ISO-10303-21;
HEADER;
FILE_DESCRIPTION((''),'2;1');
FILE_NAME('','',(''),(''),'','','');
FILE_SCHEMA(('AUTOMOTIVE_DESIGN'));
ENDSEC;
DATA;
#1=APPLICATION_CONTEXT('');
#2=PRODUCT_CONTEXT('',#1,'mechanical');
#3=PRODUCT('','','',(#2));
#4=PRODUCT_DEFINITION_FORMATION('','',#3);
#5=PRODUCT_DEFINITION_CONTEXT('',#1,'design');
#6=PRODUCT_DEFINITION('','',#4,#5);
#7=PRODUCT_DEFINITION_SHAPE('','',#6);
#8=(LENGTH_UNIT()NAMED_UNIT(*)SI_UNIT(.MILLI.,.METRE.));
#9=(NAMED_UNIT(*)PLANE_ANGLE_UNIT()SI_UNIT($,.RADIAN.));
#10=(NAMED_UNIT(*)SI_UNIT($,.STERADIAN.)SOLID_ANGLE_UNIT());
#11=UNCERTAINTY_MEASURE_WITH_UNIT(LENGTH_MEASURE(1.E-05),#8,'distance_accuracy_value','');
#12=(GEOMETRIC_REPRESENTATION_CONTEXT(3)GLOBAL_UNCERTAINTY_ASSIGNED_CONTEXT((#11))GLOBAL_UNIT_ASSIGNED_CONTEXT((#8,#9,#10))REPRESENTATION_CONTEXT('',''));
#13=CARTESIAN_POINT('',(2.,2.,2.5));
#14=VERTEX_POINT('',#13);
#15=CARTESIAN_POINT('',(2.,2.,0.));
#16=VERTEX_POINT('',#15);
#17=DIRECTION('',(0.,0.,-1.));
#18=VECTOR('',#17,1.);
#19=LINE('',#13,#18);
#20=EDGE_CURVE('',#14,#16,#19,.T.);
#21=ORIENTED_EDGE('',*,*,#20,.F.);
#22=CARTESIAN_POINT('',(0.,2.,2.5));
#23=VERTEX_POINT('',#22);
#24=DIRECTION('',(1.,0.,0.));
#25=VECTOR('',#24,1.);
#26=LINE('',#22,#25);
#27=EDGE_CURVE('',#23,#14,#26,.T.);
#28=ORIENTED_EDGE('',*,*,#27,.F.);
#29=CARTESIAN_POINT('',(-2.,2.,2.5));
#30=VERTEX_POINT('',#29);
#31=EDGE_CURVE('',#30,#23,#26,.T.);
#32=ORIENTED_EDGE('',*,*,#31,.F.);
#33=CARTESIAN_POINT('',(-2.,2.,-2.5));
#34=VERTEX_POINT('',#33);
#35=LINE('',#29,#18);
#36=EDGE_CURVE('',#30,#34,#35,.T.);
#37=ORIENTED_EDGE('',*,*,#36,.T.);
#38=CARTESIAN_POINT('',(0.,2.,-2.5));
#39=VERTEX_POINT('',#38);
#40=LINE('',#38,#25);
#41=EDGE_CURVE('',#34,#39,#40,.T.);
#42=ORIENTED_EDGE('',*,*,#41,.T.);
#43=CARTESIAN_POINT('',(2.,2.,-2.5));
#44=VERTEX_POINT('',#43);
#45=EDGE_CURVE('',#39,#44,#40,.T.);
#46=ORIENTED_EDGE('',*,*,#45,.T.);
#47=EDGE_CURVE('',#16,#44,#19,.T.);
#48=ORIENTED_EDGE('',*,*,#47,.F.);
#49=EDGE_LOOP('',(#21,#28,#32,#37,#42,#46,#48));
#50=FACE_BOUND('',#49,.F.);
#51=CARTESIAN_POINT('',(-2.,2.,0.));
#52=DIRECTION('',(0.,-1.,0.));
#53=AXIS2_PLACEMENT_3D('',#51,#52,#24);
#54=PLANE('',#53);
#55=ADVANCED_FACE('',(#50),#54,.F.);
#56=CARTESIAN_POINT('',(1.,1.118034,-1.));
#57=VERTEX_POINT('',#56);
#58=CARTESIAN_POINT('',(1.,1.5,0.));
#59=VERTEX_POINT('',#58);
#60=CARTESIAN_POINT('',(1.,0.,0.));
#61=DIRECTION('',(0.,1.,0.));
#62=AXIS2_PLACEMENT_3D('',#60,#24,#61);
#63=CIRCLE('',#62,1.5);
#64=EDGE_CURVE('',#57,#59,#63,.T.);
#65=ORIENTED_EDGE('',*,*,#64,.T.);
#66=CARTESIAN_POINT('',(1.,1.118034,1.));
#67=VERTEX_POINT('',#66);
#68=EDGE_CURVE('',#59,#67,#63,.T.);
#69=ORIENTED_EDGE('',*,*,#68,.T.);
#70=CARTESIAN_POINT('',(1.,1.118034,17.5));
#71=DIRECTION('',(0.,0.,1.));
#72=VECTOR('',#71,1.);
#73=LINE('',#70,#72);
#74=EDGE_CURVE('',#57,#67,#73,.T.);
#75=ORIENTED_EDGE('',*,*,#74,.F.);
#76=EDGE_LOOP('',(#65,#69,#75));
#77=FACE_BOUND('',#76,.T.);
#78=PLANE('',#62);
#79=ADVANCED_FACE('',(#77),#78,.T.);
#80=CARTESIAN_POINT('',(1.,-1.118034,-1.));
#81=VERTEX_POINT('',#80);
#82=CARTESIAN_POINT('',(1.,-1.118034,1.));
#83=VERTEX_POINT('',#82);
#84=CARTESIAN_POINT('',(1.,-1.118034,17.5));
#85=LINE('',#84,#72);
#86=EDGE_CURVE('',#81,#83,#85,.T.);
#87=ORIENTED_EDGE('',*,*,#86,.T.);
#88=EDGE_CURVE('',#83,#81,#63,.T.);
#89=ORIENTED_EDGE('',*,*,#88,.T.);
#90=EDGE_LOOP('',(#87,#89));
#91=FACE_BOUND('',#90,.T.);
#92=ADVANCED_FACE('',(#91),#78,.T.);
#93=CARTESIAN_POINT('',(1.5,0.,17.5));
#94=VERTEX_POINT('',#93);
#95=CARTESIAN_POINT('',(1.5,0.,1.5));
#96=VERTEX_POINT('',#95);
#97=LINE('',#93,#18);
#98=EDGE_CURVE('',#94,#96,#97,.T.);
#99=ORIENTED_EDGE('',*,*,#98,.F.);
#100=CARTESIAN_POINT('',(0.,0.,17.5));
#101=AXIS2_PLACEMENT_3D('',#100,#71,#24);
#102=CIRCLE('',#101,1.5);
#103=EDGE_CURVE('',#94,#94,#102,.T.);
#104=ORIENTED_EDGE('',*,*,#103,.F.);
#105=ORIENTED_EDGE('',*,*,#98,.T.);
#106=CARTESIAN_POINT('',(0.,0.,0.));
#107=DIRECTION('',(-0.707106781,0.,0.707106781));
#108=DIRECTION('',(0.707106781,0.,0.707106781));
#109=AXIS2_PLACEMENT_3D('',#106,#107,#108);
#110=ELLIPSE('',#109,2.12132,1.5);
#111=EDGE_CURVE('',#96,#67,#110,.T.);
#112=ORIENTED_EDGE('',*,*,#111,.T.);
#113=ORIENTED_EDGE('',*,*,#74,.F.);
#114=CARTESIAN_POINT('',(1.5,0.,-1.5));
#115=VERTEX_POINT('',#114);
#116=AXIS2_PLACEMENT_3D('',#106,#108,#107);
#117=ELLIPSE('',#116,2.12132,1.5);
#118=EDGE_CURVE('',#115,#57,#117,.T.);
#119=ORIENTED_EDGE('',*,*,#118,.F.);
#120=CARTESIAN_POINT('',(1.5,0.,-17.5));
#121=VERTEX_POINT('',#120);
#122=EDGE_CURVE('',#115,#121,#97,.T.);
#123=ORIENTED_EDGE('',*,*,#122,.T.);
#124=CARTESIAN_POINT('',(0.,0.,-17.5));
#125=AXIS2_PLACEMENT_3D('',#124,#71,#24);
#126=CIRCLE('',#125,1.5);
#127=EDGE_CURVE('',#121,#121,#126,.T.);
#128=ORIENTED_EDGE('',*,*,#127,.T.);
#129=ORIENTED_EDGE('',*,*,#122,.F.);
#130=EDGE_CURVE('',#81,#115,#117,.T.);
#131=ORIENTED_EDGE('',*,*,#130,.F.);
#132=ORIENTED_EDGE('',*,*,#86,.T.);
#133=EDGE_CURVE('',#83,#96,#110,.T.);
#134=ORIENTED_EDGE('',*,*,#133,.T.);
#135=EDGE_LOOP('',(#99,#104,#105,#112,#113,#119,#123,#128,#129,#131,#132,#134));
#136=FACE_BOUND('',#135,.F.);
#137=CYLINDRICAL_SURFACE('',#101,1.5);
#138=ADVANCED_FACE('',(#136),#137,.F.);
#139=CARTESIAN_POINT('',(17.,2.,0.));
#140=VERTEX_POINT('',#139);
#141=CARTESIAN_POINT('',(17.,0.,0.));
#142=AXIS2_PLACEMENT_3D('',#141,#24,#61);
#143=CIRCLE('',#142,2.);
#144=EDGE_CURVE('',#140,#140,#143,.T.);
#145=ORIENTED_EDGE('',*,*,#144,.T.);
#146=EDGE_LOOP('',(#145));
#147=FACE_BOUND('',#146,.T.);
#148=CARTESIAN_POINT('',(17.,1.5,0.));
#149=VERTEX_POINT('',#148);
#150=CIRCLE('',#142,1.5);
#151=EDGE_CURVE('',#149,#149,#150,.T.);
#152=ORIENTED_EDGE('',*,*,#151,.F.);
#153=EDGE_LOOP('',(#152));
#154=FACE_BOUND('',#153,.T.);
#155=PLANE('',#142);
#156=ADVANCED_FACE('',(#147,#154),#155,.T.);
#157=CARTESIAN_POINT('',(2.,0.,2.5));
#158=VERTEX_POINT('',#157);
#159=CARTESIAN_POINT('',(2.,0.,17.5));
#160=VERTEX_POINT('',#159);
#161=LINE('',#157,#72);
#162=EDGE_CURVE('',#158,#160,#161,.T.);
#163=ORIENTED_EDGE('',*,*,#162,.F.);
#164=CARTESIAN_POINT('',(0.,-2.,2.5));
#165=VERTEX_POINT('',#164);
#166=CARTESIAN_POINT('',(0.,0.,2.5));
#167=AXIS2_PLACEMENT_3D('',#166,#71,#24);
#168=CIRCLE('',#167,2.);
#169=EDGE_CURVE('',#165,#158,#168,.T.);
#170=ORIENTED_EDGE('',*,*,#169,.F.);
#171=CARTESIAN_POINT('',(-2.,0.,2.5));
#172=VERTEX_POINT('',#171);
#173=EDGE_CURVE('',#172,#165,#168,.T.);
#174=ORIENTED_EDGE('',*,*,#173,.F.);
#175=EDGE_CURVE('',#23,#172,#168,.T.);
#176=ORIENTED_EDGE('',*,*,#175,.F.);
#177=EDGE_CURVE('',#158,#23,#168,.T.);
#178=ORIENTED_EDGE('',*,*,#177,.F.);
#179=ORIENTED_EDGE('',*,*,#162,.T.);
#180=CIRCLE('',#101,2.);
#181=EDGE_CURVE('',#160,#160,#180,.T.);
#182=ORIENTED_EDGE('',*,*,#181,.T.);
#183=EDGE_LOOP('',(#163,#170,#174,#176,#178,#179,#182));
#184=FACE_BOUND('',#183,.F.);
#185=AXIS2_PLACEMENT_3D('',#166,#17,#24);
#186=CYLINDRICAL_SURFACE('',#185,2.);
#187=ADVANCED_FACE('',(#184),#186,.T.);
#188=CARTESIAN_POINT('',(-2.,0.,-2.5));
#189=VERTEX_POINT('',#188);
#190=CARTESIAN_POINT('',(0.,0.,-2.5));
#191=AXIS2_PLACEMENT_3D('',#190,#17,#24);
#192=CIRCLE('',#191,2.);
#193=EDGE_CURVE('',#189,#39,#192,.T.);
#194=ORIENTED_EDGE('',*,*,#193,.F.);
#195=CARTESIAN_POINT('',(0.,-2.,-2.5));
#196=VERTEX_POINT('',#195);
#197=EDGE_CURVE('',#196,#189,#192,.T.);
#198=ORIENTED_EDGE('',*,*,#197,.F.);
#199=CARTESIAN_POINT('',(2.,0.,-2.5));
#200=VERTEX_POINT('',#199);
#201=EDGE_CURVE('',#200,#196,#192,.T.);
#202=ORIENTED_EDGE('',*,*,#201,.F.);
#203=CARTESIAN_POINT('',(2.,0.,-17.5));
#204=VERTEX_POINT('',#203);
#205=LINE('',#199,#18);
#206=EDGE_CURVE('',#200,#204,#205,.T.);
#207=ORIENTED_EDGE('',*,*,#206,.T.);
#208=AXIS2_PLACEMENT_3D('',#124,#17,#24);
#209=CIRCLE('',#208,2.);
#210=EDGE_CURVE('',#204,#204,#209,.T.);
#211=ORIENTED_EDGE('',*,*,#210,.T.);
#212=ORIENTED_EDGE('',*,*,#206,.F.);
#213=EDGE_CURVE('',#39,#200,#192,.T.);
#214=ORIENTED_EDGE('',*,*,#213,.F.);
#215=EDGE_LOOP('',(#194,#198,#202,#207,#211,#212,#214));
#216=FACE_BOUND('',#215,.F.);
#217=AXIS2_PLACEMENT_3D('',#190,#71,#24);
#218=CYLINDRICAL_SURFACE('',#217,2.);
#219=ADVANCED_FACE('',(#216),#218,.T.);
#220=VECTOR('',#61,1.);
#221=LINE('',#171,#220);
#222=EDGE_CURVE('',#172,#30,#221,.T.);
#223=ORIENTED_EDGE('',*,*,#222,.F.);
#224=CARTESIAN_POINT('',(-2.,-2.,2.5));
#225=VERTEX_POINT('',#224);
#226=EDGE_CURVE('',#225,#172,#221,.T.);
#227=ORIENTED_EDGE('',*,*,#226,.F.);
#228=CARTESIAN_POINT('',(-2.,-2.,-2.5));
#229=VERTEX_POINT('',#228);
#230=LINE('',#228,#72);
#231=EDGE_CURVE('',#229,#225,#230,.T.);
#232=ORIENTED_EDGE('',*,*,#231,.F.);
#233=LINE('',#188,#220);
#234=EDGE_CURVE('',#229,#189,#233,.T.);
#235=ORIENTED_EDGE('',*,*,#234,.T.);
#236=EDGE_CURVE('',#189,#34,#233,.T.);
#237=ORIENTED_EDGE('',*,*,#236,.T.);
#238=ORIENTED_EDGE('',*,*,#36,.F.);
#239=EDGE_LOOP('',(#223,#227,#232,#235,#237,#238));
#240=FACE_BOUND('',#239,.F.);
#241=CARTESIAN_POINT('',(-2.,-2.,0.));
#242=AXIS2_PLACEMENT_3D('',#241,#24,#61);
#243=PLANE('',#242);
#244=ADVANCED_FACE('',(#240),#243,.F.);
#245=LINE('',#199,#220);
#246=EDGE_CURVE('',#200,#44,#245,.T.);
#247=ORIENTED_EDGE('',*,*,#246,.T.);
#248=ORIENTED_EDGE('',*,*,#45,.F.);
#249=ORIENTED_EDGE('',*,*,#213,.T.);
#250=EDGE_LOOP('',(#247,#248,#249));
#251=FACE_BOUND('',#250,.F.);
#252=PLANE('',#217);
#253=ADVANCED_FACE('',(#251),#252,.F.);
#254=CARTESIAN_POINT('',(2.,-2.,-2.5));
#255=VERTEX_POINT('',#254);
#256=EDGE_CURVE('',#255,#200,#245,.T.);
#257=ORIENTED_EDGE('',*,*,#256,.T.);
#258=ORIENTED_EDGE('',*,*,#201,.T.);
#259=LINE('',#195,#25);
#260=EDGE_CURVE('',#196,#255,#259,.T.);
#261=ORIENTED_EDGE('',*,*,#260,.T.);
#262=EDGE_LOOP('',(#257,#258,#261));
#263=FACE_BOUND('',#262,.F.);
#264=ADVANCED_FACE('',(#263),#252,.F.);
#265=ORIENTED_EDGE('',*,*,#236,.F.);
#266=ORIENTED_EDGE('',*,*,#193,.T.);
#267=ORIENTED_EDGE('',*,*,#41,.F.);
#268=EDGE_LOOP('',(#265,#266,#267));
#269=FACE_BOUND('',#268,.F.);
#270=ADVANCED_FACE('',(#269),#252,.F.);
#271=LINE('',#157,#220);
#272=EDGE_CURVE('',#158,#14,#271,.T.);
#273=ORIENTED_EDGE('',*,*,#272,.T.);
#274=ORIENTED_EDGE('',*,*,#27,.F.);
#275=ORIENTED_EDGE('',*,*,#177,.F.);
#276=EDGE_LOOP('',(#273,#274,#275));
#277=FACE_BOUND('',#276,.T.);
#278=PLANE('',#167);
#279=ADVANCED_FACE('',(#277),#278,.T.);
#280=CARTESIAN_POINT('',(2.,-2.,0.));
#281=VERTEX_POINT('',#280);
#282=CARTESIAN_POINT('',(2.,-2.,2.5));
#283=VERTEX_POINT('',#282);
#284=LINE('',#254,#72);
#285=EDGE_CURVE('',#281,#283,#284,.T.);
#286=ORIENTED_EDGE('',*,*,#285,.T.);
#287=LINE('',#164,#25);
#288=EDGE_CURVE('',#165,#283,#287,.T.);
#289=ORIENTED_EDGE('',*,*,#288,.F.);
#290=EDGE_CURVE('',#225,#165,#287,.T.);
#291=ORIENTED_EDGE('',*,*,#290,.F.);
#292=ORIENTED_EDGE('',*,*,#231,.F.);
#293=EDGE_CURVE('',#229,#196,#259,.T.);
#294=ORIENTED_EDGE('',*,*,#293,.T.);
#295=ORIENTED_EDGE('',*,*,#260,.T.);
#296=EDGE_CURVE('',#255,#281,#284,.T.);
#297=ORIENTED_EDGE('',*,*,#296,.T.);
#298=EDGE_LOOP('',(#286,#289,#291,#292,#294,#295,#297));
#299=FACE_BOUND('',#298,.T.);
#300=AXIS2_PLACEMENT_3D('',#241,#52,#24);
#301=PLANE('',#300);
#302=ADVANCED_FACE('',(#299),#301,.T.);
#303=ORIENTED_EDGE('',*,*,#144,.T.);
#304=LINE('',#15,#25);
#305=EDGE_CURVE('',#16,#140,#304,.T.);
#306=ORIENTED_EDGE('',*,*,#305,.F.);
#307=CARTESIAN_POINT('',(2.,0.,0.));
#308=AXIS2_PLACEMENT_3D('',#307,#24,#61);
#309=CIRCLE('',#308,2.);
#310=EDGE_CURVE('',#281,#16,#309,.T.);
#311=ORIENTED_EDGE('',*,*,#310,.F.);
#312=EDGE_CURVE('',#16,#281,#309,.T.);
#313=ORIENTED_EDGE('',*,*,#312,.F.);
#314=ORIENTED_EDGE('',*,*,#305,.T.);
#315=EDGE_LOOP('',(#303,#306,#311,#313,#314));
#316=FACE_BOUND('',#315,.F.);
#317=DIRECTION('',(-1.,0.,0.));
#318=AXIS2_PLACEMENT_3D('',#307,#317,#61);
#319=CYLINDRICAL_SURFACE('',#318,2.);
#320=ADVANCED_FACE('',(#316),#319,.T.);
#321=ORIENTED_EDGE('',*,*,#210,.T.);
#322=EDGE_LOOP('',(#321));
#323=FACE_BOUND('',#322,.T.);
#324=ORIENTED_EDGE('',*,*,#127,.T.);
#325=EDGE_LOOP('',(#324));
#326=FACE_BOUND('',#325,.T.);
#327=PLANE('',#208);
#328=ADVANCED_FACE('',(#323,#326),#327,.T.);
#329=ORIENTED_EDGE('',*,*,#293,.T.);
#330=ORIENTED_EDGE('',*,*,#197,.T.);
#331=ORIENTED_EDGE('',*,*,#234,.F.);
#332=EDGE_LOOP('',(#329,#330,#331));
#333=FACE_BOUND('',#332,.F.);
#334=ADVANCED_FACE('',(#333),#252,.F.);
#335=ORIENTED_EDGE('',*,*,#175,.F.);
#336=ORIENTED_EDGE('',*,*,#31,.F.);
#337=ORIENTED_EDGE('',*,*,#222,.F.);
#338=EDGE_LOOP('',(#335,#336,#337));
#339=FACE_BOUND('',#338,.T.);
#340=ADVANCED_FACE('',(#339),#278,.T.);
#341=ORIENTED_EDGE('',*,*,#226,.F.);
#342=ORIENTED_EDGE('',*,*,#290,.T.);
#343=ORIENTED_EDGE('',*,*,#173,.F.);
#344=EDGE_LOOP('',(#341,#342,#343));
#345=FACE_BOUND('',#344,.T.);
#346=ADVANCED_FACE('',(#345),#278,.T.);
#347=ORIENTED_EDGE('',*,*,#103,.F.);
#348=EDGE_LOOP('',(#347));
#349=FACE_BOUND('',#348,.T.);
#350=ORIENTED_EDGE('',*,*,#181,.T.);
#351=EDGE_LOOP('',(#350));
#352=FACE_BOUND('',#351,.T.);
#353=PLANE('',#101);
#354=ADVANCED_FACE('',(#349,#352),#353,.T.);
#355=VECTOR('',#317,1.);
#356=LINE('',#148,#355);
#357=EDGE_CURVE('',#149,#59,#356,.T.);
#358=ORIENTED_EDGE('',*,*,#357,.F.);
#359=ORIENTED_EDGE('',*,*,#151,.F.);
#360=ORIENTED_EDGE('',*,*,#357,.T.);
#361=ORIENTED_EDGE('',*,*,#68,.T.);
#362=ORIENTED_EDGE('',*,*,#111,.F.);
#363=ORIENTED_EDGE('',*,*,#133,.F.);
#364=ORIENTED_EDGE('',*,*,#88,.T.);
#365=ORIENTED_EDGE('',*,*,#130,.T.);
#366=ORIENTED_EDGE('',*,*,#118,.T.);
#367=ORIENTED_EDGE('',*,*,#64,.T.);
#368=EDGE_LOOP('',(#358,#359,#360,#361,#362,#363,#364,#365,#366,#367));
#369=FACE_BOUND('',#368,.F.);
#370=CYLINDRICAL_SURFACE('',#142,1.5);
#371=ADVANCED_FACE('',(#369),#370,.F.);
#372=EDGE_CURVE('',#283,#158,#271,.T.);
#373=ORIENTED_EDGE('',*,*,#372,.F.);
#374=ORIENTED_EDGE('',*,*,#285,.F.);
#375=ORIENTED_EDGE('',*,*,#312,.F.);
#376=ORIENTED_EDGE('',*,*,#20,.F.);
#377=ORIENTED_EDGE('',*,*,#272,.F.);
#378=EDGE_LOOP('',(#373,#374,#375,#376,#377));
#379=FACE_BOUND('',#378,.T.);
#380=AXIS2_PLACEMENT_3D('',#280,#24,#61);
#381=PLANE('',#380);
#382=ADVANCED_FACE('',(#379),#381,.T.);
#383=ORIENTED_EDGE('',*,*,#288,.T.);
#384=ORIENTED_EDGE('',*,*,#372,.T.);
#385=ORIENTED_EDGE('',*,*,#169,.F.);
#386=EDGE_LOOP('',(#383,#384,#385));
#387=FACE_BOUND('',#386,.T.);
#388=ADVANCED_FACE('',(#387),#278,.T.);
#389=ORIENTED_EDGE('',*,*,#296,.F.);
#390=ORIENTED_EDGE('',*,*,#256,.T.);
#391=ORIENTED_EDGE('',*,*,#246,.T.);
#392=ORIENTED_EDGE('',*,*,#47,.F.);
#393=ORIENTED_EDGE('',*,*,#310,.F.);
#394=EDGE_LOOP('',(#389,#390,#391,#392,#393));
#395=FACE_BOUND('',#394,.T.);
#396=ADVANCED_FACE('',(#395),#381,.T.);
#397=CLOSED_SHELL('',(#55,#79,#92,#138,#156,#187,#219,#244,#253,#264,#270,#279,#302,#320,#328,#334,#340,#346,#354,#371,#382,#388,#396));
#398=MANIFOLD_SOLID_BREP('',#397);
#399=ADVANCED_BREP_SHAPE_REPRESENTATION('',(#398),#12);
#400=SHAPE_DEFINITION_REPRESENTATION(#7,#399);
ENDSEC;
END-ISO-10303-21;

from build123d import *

# Parameters (mm, degrees)
F1_W      = 4
F1_H      = 4
F2_DEPTH  = 2.5
F3_R      = 2
F4_DEPTH  = 15
F5_R      = 2
F6_DEPTH  = 15
F7_R      = 2
F8_DEPTH  = 15
F9_R      = 1.5
F10_DEPTH = 35.001
F11_R     = 1.5
F12_DEPTH = 16


with BuildPart() as f2:
    # F1 (on Top) → F2 (new body, symmetric)
    with BuildSketch(Plane.XY):
        Rectangle(F1_W, F1_H)
    extrude(amount=F2_DEPTH, both=True)

    # F3 (on face) → F4 (join)
    with BuildSketch(Plane.XY.offset(2.5)):
        Circle(F3_R)
    extrude(amount=F4_DEPTH)

    # F5 (on face) → F6 (join)
    with BuildSketch(Plane(origin=(0, 0, -2.5), x_dir=(1, 0, 0), z_dir=(0, 0, -1))):
        Circle(F5_R)
    extrude(amount=F6_DEPTH)

    # F7 (on face) → F8 (join)
    with BuildSketch(Plane.YZ.offset(2)):
        Circle(F7_R)
    extrude(amount=F8_DEPTH)

    # F9 (on face) → F10 (cut, through all)
    with BuildSketch(Plane.XY.offset(17.5)):
        Circle(F9_R)
    extrude(amount=-F10_DEPTH, mode=Mode.SUBTRACT)

    # F11 (on face) → F12 (cut)
    with BuildSketch(Plane.YZ.offset(17)):
        Circle(F11_R)
    extrude(amount=-F12_DEPTH, mode=Mode.SUBTRACT)


solid = f2.part
